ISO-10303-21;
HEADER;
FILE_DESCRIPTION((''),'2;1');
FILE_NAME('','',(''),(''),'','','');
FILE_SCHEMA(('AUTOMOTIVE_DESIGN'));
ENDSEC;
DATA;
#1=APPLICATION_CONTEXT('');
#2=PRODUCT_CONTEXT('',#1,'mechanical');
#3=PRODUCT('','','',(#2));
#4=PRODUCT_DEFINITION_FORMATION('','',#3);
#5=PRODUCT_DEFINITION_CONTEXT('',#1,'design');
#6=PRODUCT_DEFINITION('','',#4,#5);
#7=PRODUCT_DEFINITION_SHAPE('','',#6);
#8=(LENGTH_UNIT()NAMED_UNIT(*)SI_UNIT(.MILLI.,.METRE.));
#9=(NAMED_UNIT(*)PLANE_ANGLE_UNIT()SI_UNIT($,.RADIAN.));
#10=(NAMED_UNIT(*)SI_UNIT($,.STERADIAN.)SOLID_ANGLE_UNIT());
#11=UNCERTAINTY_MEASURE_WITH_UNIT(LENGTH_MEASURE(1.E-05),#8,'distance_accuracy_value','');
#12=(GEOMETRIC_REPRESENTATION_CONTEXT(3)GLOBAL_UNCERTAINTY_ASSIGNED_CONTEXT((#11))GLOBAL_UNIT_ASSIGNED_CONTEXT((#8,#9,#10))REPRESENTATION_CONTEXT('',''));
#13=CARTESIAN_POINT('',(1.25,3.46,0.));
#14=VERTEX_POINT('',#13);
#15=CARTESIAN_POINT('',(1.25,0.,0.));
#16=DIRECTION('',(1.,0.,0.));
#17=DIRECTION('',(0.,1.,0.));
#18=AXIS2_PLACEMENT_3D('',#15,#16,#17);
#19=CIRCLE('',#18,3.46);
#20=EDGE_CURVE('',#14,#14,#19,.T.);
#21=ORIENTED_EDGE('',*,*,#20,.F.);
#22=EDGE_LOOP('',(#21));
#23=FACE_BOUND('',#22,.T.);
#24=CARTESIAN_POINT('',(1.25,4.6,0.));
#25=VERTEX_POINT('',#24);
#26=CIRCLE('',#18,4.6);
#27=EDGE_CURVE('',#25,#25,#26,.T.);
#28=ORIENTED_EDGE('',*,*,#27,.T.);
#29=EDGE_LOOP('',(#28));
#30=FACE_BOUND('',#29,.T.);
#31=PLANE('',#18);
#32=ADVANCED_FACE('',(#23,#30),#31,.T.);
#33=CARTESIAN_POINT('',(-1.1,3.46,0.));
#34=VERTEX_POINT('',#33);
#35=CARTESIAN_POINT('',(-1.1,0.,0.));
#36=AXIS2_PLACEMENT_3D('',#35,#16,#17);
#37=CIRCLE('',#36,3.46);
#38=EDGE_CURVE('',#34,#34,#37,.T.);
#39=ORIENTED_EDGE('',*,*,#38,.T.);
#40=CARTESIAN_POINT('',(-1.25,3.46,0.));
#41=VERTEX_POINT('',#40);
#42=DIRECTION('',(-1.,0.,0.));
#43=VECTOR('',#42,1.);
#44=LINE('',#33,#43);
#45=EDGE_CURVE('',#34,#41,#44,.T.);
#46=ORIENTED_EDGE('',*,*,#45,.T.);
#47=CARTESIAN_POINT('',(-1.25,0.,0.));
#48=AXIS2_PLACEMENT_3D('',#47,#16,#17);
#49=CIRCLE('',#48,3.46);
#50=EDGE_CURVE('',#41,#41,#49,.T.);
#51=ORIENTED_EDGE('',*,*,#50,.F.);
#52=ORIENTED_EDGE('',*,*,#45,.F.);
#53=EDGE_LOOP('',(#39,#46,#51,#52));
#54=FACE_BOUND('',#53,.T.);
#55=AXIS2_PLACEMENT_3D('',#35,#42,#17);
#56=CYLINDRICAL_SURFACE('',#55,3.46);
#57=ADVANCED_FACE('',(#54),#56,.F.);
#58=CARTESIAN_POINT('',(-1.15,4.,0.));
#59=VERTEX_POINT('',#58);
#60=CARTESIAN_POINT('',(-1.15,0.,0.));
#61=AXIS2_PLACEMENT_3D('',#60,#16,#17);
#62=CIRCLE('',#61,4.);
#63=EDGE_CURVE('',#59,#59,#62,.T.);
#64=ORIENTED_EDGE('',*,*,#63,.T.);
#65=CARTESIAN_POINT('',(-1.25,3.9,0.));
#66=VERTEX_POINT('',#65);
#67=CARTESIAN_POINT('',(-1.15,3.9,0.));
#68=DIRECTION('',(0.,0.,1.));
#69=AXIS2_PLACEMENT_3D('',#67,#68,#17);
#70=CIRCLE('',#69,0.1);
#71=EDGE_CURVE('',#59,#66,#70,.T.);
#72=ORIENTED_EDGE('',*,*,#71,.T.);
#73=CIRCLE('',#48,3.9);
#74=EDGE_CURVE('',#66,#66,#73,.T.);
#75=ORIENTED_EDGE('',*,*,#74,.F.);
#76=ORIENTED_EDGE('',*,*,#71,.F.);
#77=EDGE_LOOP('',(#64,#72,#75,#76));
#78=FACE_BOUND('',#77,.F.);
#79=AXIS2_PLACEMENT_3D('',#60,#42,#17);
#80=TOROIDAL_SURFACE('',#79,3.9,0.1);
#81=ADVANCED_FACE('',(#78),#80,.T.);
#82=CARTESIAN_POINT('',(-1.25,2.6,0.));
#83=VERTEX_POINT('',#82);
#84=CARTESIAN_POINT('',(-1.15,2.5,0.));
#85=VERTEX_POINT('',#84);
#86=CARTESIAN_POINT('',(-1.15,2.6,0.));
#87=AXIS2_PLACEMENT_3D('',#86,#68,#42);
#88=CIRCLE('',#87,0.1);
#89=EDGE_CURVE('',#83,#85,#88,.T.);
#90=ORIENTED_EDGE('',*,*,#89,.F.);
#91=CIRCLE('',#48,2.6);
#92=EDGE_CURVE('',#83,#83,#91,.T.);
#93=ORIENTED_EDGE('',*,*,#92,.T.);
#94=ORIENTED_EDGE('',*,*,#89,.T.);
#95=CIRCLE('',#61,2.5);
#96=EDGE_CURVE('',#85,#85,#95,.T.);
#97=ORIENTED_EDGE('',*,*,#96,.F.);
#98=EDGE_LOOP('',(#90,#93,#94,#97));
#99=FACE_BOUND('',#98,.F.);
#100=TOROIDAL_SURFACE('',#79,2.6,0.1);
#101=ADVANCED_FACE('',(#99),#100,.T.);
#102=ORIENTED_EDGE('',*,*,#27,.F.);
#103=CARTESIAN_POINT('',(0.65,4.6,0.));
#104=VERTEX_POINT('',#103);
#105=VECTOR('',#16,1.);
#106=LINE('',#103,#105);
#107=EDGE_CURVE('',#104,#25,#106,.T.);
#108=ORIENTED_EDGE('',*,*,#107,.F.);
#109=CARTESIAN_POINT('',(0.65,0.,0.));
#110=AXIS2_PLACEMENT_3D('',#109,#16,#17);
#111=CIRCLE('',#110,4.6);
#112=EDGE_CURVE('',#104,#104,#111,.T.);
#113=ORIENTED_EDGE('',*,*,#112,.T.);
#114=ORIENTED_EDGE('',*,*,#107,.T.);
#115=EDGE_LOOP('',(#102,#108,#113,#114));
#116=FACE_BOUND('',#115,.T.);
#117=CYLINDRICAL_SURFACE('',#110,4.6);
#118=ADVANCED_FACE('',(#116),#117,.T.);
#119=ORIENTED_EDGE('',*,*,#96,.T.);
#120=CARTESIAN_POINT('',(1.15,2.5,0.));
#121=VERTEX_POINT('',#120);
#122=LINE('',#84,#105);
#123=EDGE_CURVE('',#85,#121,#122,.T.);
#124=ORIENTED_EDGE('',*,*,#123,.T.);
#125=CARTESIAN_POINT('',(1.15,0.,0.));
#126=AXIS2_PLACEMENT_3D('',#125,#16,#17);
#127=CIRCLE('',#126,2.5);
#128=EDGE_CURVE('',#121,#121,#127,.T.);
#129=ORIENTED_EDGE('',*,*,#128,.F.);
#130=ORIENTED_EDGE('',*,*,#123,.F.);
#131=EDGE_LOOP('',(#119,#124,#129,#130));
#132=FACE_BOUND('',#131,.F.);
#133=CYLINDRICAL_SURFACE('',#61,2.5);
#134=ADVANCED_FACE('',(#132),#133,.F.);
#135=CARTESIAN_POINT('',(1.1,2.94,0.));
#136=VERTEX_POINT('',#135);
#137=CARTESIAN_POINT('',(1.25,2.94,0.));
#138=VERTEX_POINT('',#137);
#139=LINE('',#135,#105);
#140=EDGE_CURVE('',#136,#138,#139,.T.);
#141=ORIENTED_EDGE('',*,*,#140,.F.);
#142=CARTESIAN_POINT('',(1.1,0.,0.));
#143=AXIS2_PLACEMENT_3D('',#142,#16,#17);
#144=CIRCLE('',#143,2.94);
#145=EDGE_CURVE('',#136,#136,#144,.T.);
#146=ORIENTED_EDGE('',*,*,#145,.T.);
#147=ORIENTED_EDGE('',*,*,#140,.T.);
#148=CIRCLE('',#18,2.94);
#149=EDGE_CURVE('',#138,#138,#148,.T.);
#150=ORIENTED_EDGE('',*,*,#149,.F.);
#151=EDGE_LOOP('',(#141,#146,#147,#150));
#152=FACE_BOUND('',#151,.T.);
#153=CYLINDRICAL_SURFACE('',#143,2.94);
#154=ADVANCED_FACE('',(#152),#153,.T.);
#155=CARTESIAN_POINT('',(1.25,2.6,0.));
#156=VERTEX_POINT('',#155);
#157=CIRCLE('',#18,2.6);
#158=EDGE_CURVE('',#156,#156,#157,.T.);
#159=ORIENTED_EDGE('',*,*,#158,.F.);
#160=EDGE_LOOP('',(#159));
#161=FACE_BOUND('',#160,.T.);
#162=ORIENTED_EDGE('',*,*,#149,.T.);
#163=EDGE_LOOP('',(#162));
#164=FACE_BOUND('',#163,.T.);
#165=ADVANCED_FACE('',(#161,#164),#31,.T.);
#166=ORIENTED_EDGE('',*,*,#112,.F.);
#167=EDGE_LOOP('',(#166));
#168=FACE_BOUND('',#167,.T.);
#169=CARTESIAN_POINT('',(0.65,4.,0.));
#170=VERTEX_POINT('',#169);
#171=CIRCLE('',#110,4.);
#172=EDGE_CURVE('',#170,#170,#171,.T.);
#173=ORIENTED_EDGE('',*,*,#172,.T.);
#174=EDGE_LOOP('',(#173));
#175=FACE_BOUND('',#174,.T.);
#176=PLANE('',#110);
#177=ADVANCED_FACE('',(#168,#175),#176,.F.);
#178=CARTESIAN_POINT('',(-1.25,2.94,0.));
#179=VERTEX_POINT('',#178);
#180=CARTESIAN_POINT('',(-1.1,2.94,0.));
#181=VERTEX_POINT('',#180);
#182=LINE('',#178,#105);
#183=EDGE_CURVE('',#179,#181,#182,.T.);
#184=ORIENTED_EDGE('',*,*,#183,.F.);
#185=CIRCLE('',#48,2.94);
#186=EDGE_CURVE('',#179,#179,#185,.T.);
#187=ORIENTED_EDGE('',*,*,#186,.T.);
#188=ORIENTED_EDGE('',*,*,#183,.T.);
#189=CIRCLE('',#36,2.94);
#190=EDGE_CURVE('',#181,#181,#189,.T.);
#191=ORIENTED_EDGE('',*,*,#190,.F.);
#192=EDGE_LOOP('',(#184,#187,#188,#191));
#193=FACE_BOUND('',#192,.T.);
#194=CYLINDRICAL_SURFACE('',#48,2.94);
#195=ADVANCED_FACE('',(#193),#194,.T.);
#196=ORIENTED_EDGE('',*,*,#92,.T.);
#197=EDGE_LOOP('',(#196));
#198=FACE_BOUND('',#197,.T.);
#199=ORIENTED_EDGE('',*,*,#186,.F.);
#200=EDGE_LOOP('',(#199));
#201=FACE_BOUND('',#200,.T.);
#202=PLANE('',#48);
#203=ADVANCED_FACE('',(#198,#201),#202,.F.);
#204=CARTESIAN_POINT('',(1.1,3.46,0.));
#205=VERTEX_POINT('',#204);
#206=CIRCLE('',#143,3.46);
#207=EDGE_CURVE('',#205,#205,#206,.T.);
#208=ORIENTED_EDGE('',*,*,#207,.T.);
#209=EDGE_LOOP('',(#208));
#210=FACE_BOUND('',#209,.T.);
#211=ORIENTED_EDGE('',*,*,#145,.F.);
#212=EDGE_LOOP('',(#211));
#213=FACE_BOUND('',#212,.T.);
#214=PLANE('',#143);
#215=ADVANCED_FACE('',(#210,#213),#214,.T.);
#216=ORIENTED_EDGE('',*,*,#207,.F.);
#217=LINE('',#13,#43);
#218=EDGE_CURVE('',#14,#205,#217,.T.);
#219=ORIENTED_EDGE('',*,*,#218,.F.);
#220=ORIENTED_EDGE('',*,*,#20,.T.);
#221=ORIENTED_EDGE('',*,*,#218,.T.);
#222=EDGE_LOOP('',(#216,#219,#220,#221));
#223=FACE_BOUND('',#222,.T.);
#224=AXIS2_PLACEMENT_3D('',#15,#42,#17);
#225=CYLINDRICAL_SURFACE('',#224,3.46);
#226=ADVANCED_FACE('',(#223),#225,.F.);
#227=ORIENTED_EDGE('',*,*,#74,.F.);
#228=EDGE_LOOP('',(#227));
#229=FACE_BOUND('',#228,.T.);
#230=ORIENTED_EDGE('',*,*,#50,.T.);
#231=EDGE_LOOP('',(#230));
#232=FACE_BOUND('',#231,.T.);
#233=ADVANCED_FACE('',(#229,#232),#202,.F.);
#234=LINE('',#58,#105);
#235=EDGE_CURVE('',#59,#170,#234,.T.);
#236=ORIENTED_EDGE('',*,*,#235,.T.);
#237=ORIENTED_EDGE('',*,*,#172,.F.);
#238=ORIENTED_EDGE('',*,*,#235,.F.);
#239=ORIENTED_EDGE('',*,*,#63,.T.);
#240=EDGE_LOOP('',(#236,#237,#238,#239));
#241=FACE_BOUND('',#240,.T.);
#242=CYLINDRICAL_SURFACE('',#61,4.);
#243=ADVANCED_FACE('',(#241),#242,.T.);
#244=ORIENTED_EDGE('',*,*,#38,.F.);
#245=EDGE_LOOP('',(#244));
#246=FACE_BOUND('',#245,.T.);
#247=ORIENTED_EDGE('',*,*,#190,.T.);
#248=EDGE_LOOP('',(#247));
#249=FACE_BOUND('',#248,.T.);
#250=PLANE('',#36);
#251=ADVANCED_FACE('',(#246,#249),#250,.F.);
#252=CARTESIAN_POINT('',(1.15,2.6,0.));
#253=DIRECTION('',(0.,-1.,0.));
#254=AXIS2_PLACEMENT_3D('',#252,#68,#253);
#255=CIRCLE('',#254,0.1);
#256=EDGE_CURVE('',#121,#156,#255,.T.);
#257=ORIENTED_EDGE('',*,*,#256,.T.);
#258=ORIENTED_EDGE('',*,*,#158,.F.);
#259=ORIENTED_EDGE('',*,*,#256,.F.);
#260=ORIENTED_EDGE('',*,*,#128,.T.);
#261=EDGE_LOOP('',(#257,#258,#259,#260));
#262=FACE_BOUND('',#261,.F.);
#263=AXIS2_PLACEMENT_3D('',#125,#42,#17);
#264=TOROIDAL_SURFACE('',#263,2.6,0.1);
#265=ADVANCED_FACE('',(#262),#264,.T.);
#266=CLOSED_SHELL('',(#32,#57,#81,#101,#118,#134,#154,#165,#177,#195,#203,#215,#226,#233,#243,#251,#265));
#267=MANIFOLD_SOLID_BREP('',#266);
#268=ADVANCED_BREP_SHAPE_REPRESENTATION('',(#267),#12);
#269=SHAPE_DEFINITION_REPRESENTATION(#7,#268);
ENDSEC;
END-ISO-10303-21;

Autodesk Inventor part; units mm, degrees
ref_plane "YZ Plane" through (0, 0, 0) normal (1, 0, 0) x (0, 1, 0)
ref_plane "XZ Plane" through (0, 0, 0) normal (0, 1, 0) x (-1, 0, 0)
ref_plane "XY Plane" through (0, 0, 0) normal (0, 0, 1) x (1, 0, 0)
sketch "_____1" plane through (0, 0, 0) normal (0, 0, 1) x (1, 0, 0)
  line L0 (50, 0) -> (-50, 0)
  line L1 (-1.25, 0) -> (-1.25, 2.94)
  line L2 (-1.25, 2.94) -> (-1.1, 2.94)
  line L3 (-1.1, 2.94) -> (-1.1, 3.46)
  line L4 (-1.1, 3.46) -> (-1.25, 3.46)
  line L5 (-1.25, 3.46) -> (-1.25, 3.9)
  arc A0 (-1.15, 4) -> (-1.25, 3.9) centre (-1.15, 3.9) ccw
  line L6 (-1.15, 4) -> (0.65, 4)
  line L7 (0.65, 4) -> (0.65, 4.6)
  line L8 (0.65, 4.6) -> (1.25, 4.6)
  line L9 (1.25, 4.6) -> (1.25, 3.46)
  line L10 (1.25, 3.46) -> (1.1, 3.46)
  line L11 (1.1, 3.46) -> (1.1, 2.94)
  line L12 (1.1, 2.94) -> (1.25, 2.94)
  line L13 (1.25, 2.94) -> (1.25, 0)
  line L14 (1.25, 0) -> (-1.25, 0)
revolve "Revolution1" add sketch "_____1" angle 360 about axis through (50, 0, 0) along (1, 0, 0)
sketch "_____2" plane through (0, 0, 0) normal (0, 0, 1) x (1, 0, 0)
  line L0 (50, 0) -> (-50, 0)
  line L1 (-1.25, 0) -> (-1.25, 2.6)
  arc A0 (-1.25, 2.6) -> (-1.15, 2.5) centre (-1.15, 2.6) ccw
  line L2 (-1.15, 2.5) -> (1.15, 2.5)
  arc A1 (1.15, 2.5) -> (1.25, 2.6) centre (1.15, 2.6) ccw
  line L3 (1.25, 2.6) -> (1.25, 0)
  line L4 (1.25, 0) -> (-1.25, 0)
revolve "Revolution2" cut sketch "_____2" angle 360 about axis through (50, 0, 0) along (1, 0, 0)
properties part number "C-FL675ZZ"
